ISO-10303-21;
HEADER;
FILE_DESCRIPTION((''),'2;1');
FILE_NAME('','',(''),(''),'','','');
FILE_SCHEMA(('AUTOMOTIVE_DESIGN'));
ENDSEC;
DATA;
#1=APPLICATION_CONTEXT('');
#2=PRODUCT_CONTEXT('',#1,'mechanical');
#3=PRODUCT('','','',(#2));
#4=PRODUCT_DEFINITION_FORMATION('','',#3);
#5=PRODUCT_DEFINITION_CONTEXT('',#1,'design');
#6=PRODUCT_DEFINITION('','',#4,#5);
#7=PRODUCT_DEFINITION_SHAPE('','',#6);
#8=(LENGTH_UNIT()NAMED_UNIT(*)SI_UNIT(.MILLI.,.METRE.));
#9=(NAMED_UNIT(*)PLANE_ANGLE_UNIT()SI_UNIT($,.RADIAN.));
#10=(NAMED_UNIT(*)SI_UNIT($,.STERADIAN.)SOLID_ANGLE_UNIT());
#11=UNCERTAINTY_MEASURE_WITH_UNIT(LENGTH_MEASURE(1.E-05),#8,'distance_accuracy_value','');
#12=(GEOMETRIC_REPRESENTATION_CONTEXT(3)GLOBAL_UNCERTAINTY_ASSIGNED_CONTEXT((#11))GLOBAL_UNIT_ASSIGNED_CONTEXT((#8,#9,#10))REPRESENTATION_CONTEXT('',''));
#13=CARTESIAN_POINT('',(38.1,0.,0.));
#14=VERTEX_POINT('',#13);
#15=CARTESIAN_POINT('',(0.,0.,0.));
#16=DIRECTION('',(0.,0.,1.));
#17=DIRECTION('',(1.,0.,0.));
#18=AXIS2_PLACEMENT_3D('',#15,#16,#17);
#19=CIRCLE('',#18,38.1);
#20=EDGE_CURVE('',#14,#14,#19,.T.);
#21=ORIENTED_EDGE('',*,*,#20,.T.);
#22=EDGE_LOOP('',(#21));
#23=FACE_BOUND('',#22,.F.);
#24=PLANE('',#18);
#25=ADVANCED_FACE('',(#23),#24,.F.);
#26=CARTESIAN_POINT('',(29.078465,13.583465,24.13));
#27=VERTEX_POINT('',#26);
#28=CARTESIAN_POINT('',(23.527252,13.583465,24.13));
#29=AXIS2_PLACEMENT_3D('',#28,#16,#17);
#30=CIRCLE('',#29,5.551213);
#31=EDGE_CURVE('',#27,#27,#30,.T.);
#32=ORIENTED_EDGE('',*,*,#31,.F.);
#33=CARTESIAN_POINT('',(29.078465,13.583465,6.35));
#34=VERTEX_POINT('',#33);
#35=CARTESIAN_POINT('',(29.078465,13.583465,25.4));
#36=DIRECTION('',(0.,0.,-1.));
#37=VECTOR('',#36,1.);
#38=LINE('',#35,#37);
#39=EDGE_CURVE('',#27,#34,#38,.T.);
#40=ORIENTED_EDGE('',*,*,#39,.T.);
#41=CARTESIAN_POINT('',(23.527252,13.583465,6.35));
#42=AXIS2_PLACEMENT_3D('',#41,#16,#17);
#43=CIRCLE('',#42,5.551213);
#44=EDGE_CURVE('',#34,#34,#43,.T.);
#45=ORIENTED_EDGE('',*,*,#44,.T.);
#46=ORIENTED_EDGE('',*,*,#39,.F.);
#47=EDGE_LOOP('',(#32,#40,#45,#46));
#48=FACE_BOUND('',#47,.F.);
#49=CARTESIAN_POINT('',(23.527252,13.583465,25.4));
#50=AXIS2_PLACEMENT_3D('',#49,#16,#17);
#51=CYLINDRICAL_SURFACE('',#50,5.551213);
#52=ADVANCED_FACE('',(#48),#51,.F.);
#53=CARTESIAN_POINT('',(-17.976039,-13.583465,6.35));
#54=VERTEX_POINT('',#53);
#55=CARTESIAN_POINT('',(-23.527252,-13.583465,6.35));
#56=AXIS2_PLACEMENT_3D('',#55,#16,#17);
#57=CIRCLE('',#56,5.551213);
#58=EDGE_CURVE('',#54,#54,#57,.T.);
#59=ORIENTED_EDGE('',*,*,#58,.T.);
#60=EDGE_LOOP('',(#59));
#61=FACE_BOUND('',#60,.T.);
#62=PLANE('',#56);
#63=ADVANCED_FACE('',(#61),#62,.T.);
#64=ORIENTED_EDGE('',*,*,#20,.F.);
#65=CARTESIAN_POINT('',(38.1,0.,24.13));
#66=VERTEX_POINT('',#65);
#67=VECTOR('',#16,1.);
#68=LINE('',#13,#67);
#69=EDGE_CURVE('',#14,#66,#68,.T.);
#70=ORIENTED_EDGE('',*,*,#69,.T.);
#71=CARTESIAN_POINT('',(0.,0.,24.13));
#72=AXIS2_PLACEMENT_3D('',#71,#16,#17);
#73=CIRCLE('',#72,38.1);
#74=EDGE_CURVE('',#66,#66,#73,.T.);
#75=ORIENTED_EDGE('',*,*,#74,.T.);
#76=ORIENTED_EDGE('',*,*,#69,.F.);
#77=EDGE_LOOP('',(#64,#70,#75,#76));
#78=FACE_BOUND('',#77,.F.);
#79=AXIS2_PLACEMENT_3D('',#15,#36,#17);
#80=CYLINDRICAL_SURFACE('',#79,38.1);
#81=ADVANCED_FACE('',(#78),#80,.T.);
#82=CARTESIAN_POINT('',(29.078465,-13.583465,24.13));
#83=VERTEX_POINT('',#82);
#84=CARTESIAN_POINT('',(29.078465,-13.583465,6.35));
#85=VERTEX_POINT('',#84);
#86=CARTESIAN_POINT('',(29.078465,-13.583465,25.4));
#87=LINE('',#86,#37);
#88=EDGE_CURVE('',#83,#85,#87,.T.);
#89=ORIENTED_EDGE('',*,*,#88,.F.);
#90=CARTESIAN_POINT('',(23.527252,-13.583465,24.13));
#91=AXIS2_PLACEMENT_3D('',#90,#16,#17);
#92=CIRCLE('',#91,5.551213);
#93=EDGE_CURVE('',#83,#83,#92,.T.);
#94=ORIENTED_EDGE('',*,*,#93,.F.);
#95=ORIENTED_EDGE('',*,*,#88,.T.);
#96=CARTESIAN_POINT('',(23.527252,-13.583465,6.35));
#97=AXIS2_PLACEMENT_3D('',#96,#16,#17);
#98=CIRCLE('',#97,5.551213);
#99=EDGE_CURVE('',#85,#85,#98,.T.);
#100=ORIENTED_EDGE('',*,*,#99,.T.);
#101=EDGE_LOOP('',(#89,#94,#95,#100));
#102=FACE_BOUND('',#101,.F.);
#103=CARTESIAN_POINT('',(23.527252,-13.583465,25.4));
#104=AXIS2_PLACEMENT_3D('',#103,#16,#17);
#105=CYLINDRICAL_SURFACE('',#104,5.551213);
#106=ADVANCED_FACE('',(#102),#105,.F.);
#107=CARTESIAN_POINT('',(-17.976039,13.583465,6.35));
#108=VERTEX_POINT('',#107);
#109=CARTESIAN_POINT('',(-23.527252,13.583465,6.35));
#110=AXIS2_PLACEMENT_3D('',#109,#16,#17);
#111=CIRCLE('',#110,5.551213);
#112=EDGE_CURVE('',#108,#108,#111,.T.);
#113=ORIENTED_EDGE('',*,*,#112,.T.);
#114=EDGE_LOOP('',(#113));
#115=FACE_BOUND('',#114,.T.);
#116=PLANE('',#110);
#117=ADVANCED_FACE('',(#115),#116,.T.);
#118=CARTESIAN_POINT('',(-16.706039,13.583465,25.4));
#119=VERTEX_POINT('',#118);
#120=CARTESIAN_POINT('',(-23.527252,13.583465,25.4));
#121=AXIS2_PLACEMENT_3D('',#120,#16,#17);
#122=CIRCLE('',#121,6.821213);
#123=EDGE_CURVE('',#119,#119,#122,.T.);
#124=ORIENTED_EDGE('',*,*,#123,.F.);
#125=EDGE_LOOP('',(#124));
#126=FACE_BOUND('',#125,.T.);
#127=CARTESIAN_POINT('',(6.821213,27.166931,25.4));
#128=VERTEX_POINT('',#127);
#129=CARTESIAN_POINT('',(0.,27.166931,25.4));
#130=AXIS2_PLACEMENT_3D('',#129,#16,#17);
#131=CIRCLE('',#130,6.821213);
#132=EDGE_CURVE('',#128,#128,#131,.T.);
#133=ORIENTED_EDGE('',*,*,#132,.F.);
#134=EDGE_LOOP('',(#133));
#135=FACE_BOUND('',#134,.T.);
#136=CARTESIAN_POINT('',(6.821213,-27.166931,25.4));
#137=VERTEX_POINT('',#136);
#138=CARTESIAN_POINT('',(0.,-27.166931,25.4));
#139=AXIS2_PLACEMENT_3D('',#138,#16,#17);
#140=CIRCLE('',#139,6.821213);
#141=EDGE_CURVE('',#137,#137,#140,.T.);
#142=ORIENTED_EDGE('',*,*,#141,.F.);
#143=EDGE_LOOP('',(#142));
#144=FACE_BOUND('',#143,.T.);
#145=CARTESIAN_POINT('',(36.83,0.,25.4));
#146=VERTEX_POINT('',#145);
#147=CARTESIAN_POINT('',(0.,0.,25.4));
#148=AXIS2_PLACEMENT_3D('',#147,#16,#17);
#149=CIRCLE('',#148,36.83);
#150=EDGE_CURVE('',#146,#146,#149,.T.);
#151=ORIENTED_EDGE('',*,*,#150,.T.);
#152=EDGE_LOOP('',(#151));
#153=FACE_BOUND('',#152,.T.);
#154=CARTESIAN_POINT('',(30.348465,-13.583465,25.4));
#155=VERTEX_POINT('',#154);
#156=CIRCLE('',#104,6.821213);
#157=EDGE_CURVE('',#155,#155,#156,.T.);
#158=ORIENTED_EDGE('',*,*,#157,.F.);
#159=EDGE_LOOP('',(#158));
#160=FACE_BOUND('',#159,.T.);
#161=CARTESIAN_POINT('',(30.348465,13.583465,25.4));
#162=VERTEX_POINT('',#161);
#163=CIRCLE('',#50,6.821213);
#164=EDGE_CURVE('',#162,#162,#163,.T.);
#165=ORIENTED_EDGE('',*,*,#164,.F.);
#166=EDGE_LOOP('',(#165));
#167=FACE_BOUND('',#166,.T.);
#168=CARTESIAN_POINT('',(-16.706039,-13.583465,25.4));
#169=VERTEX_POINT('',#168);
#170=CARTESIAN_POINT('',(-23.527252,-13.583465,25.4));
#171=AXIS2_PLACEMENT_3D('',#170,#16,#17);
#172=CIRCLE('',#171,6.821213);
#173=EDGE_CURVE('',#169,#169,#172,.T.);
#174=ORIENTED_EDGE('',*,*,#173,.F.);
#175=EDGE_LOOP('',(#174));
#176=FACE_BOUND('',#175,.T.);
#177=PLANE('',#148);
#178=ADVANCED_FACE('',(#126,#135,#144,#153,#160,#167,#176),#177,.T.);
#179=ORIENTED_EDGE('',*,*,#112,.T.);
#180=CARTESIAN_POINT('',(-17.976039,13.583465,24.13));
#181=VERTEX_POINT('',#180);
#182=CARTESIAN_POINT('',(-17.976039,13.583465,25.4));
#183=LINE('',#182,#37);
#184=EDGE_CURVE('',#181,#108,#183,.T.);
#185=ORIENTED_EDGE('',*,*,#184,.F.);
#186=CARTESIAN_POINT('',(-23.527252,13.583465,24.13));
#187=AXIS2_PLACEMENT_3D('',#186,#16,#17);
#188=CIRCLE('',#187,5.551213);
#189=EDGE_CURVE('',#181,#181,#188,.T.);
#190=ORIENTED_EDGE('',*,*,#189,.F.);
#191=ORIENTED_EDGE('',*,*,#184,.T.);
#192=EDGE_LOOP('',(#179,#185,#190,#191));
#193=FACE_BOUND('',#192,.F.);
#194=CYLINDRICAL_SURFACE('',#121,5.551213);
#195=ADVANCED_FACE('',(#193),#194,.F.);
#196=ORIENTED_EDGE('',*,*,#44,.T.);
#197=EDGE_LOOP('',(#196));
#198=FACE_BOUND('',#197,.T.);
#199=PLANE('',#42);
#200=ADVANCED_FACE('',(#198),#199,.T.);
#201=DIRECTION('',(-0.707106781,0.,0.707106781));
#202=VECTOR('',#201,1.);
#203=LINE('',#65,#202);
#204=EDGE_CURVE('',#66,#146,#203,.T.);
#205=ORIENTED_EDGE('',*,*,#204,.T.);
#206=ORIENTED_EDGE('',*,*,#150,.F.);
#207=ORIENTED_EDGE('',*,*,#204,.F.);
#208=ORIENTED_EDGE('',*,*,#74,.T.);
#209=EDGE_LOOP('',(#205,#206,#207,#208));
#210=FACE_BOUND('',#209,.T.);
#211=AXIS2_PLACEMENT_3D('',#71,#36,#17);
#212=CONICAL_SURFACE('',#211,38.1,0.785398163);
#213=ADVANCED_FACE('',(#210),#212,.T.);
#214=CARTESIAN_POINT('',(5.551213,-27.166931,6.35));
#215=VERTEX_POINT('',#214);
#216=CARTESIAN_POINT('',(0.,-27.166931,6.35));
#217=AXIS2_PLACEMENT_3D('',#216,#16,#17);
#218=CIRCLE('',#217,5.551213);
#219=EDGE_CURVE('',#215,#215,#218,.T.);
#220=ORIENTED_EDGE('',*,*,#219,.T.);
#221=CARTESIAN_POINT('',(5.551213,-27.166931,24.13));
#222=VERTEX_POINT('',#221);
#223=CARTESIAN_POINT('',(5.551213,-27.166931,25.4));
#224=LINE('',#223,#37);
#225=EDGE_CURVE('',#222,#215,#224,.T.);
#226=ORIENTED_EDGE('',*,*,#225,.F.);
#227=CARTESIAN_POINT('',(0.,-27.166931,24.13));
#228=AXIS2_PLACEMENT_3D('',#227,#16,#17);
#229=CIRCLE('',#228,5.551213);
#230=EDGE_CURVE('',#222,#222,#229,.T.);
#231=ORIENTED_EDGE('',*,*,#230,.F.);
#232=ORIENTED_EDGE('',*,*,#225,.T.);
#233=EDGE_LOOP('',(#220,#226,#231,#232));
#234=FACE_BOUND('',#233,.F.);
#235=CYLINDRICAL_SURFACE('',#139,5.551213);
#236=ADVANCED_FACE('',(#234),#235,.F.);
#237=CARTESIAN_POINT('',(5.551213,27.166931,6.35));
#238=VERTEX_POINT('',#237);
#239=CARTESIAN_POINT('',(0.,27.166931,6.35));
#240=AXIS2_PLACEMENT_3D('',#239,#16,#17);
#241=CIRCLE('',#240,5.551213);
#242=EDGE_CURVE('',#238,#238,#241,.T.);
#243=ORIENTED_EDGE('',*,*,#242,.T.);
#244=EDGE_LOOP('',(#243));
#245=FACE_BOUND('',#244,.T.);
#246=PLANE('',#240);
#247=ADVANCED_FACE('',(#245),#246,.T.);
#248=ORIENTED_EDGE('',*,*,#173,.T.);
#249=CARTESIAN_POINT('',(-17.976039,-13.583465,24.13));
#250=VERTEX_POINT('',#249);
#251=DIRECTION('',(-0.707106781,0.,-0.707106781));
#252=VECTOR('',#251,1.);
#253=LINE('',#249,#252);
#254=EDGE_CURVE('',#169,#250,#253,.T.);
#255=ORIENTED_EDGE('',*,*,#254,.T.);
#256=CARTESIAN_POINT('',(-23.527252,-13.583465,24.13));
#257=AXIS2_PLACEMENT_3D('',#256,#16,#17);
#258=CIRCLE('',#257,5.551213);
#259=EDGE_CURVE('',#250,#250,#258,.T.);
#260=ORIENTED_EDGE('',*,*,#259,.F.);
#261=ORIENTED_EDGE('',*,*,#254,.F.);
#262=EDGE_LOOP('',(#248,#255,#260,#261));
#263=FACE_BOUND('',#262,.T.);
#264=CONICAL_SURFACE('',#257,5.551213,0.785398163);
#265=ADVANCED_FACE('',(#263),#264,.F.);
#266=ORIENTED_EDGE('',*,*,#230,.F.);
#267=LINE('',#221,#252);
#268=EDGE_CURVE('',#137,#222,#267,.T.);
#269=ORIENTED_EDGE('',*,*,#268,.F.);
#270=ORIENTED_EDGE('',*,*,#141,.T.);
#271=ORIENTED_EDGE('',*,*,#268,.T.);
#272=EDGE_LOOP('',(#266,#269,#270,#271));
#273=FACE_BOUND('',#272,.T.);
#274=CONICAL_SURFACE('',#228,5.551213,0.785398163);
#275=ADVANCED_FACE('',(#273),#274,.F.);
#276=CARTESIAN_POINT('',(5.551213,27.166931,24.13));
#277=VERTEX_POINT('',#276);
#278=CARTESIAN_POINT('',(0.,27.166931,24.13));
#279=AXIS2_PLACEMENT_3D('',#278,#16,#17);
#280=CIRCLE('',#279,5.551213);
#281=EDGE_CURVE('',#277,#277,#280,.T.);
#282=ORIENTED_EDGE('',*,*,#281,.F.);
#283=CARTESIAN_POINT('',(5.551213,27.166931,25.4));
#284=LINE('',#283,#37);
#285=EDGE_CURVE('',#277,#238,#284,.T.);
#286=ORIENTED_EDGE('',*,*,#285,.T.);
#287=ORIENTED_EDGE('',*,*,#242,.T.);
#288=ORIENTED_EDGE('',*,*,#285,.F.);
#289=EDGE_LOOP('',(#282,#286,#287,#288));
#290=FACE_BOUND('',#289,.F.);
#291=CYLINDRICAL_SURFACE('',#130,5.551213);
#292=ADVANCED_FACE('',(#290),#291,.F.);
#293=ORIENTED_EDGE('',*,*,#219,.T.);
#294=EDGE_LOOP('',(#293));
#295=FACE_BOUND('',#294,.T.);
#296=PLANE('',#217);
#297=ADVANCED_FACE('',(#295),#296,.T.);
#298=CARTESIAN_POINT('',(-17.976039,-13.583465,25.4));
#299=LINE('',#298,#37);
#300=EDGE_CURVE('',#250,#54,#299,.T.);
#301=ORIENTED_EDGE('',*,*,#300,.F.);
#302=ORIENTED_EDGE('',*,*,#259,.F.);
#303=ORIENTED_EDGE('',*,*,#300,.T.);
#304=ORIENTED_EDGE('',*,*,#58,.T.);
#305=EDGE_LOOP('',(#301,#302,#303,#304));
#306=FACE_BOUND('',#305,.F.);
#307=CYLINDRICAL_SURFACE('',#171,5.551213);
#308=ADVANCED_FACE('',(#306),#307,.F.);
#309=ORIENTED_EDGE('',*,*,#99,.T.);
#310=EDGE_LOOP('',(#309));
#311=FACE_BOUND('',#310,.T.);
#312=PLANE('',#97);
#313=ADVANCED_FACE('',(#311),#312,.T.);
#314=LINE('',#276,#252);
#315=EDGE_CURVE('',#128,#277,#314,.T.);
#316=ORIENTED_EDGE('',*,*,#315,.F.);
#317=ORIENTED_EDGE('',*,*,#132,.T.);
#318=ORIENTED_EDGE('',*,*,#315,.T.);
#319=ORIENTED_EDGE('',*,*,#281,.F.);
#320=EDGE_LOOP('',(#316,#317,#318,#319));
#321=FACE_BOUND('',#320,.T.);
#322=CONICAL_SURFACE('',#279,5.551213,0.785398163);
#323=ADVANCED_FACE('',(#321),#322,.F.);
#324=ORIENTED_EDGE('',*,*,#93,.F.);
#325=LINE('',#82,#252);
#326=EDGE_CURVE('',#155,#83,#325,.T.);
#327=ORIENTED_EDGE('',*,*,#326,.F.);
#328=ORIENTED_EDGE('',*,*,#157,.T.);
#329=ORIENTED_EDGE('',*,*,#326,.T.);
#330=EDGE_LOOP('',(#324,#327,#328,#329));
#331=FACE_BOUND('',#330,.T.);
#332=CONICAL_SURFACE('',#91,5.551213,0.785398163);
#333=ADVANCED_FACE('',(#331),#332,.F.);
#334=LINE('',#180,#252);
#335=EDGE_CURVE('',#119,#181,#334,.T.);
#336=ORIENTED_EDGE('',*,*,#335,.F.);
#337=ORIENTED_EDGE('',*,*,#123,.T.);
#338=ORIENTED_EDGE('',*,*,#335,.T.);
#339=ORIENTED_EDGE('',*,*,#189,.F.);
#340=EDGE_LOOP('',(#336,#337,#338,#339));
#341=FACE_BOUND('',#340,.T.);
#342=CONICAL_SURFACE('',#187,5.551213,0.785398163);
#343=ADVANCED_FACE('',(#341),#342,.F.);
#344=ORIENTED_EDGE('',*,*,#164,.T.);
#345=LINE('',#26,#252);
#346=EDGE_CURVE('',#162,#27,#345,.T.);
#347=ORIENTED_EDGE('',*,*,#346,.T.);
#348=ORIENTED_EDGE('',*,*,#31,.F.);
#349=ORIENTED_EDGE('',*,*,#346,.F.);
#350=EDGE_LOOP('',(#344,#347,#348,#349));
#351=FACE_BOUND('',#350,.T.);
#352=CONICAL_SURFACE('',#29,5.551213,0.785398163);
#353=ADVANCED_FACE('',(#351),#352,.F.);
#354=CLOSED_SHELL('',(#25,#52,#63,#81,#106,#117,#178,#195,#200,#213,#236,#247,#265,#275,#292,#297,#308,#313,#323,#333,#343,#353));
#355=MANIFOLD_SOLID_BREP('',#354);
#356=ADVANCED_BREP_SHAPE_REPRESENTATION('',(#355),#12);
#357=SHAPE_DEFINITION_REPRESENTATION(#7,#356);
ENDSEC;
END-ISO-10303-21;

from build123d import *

# Parameters (mm, degrees)
F0_R     = 38.1
F1_DEPTH = 25.4
F2_R     = 5.551213
F3_DEPTH = 19.05
F4_SIZE  = 1.27


with BuildPart() as f1:
    # F0 (on Top) → F1 (new body)
    with BuildSketch(Plane.XY):
        Circle(F0_R)
    extrude(amount=F1_DEPTH)

    # F2 (on face) → F3 (cut)
    with BuildSketch(Plane.XY.offset(25.4)):
        with Locations((0, 27.166931)):
            Circle(F2_R)
        with Locations((-23.527252, 13.583465)):
            Circle(F2_R)
        with Locations((-23.527252, -13.583465)):
            Circle(F2_R)
        with Locations((0, -27.166931)):
            Circle(F2_R)
        with Locations((23.527252, -13.583465)):
            Circle(F2_R)
        with Locations((23.527252, 13.583465)):
            Circle(F2_R)
    extrude(amount=-F3_DEPTH, mode=Mode.SUBTRACT)

    # F4
    f4_edges = [f1.edges().sort_by_distance(p)[0] for p in [
        (-5.551213, 27.166931, 25.4),
        (-38.1, 0, 25.4),
        (-29.078465, -13.583465, 25.4),
        (-5.551213, -27.166931, 25.4),
        (17.976039, -13.583465, 25.4),
        (-29.078465, 13.583465, 25.4),
        (17.976039, 13.583465, 25.4),
    ]]
    chamfer(f4_edges, length=F4_SIZE)


solid = f1.part
